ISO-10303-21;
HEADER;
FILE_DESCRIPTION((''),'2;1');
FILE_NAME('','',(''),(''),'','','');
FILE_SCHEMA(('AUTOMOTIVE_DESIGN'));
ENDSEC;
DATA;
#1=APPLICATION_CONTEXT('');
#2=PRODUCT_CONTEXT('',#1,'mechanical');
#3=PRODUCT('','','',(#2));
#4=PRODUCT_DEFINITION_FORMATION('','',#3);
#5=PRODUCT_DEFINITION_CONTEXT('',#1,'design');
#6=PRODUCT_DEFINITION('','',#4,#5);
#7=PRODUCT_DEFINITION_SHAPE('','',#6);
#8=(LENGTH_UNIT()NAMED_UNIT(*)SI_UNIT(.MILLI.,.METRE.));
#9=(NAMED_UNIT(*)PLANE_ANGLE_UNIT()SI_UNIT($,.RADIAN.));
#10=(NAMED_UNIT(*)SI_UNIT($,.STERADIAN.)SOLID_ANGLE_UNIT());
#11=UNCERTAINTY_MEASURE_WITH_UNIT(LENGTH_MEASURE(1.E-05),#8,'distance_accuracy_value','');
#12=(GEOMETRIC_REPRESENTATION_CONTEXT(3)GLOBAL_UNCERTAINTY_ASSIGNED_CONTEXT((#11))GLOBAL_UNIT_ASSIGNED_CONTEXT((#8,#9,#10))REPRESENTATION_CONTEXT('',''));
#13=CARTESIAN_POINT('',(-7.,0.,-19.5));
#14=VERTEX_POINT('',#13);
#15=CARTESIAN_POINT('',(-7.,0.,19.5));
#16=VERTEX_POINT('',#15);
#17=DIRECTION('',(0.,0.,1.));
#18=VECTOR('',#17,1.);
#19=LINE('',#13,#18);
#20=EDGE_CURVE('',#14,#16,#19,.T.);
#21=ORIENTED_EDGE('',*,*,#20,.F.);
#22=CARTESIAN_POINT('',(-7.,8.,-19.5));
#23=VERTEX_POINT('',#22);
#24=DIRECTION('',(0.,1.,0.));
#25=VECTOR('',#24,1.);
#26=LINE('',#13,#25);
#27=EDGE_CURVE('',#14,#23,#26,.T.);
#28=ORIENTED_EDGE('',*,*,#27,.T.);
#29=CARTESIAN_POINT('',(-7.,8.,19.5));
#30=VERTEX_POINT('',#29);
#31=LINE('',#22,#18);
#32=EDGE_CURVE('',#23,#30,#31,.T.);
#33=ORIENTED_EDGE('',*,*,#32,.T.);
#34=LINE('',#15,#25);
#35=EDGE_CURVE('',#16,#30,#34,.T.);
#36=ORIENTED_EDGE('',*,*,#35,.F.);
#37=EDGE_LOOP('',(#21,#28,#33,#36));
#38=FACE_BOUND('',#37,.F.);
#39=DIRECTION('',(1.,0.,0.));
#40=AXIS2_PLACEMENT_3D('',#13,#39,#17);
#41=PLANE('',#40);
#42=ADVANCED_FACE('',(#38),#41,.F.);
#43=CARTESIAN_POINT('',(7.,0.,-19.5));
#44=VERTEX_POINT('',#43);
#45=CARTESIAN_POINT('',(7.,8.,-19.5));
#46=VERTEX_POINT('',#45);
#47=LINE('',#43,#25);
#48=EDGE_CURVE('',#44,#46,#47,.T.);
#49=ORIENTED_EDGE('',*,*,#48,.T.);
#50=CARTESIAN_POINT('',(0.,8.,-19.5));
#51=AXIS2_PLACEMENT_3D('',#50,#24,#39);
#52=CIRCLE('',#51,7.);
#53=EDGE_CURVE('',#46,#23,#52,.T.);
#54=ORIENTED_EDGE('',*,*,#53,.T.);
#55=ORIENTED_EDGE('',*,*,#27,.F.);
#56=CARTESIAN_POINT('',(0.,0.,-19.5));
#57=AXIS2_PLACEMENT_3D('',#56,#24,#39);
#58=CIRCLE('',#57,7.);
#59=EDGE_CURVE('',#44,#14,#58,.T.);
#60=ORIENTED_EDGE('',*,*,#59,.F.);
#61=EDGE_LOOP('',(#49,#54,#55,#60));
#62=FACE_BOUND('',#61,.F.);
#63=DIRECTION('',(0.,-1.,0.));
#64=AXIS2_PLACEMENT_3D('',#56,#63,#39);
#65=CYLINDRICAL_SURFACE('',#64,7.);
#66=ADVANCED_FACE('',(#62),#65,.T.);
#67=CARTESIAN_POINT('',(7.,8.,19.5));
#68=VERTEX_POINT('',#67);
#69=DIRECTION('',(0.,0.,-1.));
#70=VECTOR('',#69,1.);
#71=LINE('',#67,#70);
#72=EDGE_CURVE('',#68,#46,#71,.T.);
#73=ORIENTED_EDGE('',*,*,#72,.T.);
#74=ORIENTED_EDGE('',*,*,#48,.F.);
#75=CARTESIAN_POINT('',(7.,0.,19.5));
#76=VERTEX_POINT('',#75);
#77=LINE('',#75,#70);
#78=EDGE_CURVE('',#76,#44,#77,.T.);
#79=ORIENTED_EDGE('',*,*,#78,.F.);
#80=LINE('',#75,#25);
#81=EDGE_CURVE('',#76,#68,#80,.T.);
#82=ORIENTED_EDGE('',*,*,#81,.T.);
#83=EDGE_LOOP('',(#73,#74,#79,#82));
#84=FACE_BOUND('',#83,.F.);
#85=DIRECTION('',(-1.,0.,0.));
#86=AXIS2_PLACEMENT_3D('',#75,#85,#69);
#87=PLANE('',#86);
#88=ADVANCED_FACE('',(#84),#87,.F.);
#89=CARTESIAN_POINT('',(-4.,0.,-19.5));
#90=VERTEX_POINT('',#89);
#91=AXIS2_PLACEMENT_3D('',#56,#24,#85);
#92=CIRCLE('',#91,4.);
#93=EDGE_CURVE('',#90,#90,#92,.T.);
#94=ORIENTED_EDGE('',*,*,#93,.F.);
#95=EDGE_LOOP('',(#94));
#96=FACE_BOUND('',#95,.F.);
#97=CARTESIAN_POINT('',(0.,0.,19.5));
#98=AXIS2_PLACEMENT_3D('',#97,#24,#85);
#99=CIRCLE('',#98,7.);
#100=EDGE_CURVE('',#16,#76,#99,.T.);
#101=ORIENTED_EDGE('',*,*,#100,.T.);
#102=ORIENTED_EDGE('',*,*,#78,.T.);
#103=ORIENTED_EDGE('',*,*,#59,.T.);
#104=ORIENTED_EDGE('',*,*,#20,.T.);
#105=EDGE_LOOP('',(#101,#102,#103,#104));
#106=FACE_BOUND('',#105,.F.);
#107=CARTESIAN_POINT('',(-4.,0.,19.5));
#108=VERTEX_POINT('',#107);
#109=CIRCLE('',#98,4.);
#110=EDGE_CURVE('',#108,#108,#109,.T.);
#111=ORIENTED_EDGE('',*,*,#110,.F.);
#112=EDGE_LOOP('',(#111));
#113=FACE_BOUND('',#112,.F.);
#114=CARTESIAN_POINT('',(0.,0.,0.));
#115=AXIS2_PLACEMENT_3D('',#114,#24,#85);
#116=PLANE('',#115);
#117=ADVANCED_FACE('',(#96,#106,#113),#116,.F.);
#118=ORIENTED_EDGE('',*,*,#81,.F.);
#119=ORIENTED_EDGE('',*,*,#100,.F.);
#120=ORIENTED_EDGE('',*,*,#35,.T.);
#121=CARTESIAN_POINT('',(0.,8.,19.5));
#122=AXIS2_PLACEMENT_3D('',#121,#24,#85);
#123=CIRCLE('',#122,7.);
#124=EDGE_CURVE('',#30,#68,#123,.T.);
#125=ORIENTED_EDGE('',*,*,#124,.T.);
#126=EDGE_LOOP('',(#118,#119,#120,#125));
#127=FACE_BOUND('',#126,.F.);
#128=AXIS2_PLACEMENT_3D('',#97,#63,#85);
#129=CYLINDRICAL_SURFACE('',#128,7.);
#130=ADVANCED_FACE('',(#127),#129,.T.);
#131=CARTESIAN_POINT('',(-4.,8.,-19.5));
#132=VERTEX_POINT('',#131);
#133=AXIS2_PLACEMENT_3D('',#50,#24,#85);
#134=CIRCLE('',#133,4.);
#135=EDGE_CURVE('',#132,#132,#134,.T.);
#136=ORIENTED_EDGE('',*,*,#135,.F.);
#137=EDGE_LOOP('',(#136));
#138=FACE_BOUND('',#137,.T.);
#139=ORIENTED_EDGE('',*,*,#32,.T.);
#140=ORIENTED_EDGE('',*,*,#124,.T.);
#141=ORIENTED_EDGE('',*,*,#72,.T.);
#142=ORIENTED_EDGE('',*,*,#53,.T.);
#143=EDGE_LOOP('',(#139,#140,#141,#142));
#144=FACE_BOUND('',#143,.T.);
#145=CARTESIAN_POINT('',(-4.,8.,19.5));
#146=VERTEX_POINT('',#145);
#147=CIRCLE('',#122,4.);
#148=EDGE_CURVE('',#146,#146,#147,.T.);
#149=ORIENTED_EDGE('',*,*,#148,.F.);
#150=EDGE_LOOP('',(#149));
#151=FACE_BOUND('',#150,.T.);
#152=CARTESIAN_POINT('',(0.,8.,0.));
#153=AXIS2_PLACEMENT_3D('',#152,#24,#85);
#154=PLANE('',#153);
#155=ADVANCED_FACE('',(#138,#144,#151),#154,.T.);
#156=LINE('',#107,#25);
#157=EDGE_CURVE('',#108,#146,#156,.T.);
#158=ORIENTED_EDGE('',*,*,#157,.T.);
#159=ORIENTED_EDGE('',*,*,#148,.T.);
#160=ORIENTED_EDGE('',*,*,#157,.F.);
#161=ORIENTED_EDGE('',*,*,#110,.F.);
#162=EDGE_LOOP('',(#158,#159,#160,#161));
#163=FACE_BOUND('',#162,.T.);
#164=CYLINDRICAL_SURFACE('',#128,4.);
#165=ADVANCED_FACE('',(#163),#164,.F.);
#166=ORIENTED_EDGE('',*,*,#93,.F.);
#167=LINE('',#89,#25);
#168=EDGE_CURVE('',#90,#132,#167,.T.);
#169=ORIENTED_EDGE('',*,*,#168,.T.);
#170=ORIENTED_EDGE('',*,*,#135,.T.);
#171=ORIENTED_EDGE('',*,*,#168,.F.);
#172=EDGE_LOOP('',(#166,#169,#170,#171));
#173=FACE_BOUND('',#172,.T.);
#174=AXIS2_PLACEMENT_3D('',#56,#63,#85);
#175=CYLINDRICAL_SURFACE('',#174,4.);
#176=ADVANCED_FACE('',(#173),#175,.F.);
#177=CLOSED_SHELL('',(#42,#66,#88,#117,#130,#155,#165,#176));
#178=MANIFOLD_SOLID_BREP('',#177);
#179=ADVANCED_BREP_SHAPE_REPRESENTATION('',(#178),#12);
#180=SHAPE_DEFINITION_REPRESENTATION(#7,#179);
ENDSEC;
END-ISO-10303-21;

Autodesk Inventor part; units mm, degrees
ref_plane "YZ Plane" through (0, 0, 0) normal (1, 0, 0) x (0, 1, 0)
ref_plane "XZ Plane" through (0, 0, 0) normal (0, 1, 0) x (-1, 0, 0)
ref_plane "XY Plane" through (0, 0, 0) normal (0, 0, 1) x (1, 0, 0)
sketch "Sketch1" plane through (0, 0, 0) normal (0, 1, 0) x (-1, 0, 0)
  line L0 (0, 19.5) -> (0, -19.5) construction
  line L1 (-7, 19.5) -> (-7, -19.5)
  line L2 (7, -19.5) -> (7, 19.5)
  arc A0 (7, 19.5) -> (-7, 19.5) centre (0, 19.5) ccw
  arc A1 (-7, -19.5) -> (7, -19.5) centre (0, -19.5) ccw
  circle A2 centre (0, 19.5) radius 4
  circle A3 centre (0, -19.5) radius 4
  point P0 (0, 0)
  point P1 (0, 0)
  dimension "d0" = 14
  dimension "d1" = 39
  dimension "d3" = 0
  dimension "d4" = 0
  dimension "d5" = 8
  dimension "d6" = 8
extrude "Extrusion1" add sketch "Sketch1" along normal blind 8
properties part number "Hebel"
